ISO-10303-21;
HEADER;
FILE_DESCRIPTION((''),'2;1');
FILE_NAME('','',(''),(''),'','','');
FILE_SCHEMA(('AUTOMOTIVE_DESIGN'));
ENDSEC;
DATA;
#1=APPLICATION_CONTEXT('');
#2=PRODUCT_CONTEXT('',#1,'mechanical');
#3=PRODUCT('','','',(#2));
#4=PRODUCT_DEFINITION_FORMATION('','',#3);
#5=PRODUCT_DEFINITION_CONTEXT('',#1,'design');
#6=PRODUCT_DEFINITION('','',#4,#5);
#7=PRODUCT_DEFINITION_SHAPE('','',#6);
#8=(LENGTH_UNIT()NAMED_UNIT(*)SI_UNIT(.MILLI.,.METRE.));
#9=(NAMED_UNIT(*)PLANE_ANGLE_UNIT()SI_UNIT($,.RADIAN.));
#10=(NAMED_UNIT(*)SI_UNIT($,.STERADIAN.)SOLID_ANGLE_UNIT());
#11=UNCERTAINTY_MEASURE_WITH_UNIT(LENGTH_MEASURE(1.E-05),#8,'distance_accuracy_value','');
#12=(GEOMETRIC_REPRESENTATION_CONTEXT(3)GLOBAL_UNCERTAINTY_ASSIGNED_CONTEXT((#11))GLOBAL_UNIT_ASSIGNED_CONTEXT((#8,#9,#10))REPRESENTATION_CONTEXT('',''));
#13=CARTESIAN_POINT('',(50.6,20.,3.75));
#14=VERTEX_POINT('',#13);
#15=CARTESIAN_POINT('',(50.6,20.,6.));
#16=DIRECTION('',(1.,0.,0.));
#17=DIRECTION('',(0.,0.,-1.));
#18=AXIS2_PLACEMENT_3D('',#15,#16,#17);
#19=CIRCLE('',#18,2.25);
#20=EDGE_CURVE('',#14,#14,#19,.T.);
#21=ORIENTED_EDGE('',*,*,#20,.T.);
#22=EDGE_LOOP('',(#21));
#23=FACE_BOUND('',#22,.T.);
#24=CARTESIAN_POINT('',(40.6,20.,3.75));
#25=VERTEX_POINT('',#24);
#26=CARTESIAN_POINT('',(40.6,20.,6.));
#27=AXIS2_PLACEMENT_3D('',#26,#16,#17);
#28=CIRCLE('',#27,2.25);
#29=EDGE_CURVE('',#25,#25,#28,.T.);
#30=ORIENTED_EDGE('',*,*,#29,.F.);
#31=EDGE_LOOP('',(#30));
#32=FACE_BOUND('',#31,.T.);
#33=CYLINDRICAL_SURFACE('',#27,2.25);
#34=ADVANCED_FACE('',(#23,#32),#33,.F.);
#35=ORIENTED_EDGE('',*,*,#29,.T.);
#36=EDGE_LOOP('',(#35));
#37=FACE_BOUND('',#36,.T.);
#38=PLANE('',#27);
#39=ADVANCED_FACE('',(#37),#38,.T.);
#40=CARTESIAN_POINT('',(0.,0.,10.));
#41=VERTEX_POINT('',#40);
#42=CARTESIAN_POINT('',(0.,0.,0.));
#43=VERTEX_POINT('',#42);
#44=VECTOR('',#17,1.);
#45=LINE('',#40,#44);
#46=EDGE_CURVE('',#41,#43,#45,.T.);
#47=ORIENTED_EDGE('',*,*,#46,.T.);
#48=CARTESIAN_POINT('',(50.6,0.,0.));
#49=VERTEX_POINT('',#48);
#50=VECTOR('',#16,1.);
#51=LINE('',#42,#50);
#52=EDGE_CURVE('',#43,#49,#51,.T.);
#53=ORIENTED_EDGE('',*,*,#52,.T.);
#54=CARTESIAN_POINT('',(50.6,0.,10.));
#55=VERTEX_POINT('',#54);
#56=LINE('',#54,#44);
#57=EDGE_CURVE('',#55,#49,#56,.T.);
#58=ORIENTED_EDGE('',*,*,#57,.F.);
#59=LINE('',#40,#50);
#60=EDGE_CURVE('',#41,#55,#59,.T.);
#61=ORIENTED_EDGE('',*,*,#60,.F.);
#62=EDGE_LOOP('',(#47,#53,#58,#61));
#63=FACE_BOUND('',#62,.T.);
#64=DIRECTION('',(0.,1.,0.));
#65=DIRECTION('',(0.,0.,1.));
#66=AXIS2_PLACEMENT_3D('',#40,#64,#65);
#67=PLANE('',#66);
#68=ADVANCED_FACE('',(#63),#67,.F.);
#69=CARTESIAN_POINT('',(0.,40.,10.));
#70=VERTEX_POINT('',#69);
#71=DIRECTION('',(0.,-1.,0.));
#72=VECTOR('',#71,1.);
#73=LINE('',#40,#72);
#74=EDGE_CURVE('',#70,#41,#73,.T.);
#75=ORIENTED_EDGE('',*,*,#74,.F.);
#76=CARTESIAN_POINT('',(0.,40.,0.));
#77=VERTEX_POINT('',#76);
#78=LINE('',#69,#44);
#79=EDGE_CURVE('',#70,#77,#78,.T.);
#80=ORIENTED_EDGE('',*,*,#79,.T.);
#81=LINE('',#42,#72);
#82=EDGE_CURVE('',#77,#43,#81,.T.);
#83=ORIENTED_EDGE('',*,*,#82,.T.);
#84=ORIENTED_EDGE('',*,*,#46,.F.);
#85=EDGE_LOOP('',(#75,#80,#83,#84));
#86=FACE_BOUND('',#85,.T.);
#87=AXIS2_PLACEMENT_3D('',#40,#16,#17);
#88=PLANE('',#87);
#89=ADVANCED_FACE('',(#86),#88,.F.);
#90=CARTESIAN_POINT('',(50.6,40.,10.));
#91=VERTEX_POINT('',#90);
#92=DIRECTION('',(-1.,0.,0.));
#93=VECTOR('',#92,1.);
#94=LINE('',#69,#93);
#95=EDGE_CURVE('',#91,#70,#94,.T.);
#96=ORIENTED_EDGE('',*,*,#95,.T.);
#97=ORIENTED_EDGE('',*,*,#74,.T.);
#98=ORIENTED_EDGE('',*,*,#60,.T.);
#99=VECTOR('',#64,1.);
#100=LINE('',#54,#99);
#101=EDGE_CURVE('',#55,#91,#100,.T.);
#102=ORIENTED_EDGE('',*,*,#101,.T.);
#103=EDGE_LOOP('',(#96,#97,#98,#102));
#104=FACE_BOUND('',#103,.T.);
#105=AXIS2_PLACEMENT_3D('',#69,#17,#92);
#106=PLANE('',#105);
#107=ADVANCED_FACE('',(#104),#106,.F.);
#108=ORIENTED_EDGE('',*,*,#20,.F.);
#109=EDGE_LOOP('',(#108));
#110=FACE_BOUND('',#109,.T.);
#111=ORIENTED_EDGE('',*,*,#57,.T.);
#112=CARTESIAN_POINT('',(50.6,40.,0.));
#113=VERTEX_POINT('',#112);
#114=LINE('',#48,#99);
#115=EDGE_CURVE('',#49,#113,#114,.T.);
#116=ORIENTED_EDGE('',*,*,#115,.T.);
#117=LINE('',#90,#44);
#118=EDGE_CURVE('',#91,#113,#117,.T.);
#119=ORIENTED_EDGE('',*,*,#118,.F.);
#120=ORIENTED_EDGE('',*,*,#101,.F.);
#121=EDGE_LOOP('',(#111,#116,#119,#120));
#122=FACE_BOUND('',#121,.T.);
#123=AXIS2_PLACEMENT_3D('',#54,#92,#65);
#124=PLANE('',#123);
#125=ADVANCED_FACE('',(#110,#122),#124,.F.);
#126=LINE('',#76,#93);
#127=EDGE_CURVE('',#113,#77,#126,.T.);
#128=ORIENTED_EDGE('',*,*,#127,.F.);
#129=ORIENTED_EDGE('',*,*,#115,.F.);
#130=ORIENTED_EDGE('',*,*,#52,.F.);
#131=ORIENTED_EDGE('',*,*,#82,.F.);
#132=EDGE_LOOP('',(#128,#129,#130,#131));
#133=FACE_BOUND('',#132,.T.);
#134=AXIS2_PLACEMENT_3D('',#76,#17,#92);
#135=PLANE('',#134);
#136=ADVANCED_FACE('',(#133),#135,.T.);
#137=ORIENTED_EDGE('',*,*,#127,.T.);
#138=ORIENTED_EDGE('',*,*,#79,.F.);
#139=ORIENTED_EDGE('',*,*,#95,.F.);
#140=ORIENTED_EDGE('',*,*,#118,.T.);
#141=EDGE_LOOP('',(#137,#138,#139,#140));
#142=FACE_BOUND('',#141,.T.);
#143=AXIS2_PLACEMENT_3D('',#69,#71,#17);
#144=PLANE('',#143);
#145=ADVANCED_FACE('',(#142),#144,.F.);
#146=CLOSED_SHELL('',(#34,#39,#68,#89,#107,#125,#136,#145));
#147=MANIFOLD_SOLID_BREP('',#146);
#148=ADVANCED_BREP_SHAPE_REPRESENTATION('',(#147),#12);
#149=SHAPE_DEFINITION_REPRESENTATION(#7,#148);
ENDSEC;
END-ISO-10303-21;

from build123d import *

# Parameters (mm, degrees)
SKETCH1_W          = 50.6
SKETCH1_H          = 40
EXTRUDE1_DEPTH     = 10
SKETCH2_R          = 2.25
CUT_EXTRUDE1_DEPTH = 10


with BuildPart() as part:
    # Sketch1 → Extrude1 (new body)
    with BuildSketch(Plane.XY):
        with Locations((25.3, 20)):
            Rectangle(SKETCH1_W, SKETCH1_H)
    extrude(amount=EXTRUDE1_DEPTH)

    # Sketch2 → Cut-Extrude1 (cut)
    with BuildSketch(Plane(origin=(50.6, 0, 0), x_dir=(0, 0, -1), z_dir=(1, 0, 0))):
        with Locations((-6, 20)):
            Circle(SKETCH2_R)
    extrude(amount=-CUT_EXTRUDE1_DEPTH, mode=Mode.SUBTRACT)


solid = part.part
